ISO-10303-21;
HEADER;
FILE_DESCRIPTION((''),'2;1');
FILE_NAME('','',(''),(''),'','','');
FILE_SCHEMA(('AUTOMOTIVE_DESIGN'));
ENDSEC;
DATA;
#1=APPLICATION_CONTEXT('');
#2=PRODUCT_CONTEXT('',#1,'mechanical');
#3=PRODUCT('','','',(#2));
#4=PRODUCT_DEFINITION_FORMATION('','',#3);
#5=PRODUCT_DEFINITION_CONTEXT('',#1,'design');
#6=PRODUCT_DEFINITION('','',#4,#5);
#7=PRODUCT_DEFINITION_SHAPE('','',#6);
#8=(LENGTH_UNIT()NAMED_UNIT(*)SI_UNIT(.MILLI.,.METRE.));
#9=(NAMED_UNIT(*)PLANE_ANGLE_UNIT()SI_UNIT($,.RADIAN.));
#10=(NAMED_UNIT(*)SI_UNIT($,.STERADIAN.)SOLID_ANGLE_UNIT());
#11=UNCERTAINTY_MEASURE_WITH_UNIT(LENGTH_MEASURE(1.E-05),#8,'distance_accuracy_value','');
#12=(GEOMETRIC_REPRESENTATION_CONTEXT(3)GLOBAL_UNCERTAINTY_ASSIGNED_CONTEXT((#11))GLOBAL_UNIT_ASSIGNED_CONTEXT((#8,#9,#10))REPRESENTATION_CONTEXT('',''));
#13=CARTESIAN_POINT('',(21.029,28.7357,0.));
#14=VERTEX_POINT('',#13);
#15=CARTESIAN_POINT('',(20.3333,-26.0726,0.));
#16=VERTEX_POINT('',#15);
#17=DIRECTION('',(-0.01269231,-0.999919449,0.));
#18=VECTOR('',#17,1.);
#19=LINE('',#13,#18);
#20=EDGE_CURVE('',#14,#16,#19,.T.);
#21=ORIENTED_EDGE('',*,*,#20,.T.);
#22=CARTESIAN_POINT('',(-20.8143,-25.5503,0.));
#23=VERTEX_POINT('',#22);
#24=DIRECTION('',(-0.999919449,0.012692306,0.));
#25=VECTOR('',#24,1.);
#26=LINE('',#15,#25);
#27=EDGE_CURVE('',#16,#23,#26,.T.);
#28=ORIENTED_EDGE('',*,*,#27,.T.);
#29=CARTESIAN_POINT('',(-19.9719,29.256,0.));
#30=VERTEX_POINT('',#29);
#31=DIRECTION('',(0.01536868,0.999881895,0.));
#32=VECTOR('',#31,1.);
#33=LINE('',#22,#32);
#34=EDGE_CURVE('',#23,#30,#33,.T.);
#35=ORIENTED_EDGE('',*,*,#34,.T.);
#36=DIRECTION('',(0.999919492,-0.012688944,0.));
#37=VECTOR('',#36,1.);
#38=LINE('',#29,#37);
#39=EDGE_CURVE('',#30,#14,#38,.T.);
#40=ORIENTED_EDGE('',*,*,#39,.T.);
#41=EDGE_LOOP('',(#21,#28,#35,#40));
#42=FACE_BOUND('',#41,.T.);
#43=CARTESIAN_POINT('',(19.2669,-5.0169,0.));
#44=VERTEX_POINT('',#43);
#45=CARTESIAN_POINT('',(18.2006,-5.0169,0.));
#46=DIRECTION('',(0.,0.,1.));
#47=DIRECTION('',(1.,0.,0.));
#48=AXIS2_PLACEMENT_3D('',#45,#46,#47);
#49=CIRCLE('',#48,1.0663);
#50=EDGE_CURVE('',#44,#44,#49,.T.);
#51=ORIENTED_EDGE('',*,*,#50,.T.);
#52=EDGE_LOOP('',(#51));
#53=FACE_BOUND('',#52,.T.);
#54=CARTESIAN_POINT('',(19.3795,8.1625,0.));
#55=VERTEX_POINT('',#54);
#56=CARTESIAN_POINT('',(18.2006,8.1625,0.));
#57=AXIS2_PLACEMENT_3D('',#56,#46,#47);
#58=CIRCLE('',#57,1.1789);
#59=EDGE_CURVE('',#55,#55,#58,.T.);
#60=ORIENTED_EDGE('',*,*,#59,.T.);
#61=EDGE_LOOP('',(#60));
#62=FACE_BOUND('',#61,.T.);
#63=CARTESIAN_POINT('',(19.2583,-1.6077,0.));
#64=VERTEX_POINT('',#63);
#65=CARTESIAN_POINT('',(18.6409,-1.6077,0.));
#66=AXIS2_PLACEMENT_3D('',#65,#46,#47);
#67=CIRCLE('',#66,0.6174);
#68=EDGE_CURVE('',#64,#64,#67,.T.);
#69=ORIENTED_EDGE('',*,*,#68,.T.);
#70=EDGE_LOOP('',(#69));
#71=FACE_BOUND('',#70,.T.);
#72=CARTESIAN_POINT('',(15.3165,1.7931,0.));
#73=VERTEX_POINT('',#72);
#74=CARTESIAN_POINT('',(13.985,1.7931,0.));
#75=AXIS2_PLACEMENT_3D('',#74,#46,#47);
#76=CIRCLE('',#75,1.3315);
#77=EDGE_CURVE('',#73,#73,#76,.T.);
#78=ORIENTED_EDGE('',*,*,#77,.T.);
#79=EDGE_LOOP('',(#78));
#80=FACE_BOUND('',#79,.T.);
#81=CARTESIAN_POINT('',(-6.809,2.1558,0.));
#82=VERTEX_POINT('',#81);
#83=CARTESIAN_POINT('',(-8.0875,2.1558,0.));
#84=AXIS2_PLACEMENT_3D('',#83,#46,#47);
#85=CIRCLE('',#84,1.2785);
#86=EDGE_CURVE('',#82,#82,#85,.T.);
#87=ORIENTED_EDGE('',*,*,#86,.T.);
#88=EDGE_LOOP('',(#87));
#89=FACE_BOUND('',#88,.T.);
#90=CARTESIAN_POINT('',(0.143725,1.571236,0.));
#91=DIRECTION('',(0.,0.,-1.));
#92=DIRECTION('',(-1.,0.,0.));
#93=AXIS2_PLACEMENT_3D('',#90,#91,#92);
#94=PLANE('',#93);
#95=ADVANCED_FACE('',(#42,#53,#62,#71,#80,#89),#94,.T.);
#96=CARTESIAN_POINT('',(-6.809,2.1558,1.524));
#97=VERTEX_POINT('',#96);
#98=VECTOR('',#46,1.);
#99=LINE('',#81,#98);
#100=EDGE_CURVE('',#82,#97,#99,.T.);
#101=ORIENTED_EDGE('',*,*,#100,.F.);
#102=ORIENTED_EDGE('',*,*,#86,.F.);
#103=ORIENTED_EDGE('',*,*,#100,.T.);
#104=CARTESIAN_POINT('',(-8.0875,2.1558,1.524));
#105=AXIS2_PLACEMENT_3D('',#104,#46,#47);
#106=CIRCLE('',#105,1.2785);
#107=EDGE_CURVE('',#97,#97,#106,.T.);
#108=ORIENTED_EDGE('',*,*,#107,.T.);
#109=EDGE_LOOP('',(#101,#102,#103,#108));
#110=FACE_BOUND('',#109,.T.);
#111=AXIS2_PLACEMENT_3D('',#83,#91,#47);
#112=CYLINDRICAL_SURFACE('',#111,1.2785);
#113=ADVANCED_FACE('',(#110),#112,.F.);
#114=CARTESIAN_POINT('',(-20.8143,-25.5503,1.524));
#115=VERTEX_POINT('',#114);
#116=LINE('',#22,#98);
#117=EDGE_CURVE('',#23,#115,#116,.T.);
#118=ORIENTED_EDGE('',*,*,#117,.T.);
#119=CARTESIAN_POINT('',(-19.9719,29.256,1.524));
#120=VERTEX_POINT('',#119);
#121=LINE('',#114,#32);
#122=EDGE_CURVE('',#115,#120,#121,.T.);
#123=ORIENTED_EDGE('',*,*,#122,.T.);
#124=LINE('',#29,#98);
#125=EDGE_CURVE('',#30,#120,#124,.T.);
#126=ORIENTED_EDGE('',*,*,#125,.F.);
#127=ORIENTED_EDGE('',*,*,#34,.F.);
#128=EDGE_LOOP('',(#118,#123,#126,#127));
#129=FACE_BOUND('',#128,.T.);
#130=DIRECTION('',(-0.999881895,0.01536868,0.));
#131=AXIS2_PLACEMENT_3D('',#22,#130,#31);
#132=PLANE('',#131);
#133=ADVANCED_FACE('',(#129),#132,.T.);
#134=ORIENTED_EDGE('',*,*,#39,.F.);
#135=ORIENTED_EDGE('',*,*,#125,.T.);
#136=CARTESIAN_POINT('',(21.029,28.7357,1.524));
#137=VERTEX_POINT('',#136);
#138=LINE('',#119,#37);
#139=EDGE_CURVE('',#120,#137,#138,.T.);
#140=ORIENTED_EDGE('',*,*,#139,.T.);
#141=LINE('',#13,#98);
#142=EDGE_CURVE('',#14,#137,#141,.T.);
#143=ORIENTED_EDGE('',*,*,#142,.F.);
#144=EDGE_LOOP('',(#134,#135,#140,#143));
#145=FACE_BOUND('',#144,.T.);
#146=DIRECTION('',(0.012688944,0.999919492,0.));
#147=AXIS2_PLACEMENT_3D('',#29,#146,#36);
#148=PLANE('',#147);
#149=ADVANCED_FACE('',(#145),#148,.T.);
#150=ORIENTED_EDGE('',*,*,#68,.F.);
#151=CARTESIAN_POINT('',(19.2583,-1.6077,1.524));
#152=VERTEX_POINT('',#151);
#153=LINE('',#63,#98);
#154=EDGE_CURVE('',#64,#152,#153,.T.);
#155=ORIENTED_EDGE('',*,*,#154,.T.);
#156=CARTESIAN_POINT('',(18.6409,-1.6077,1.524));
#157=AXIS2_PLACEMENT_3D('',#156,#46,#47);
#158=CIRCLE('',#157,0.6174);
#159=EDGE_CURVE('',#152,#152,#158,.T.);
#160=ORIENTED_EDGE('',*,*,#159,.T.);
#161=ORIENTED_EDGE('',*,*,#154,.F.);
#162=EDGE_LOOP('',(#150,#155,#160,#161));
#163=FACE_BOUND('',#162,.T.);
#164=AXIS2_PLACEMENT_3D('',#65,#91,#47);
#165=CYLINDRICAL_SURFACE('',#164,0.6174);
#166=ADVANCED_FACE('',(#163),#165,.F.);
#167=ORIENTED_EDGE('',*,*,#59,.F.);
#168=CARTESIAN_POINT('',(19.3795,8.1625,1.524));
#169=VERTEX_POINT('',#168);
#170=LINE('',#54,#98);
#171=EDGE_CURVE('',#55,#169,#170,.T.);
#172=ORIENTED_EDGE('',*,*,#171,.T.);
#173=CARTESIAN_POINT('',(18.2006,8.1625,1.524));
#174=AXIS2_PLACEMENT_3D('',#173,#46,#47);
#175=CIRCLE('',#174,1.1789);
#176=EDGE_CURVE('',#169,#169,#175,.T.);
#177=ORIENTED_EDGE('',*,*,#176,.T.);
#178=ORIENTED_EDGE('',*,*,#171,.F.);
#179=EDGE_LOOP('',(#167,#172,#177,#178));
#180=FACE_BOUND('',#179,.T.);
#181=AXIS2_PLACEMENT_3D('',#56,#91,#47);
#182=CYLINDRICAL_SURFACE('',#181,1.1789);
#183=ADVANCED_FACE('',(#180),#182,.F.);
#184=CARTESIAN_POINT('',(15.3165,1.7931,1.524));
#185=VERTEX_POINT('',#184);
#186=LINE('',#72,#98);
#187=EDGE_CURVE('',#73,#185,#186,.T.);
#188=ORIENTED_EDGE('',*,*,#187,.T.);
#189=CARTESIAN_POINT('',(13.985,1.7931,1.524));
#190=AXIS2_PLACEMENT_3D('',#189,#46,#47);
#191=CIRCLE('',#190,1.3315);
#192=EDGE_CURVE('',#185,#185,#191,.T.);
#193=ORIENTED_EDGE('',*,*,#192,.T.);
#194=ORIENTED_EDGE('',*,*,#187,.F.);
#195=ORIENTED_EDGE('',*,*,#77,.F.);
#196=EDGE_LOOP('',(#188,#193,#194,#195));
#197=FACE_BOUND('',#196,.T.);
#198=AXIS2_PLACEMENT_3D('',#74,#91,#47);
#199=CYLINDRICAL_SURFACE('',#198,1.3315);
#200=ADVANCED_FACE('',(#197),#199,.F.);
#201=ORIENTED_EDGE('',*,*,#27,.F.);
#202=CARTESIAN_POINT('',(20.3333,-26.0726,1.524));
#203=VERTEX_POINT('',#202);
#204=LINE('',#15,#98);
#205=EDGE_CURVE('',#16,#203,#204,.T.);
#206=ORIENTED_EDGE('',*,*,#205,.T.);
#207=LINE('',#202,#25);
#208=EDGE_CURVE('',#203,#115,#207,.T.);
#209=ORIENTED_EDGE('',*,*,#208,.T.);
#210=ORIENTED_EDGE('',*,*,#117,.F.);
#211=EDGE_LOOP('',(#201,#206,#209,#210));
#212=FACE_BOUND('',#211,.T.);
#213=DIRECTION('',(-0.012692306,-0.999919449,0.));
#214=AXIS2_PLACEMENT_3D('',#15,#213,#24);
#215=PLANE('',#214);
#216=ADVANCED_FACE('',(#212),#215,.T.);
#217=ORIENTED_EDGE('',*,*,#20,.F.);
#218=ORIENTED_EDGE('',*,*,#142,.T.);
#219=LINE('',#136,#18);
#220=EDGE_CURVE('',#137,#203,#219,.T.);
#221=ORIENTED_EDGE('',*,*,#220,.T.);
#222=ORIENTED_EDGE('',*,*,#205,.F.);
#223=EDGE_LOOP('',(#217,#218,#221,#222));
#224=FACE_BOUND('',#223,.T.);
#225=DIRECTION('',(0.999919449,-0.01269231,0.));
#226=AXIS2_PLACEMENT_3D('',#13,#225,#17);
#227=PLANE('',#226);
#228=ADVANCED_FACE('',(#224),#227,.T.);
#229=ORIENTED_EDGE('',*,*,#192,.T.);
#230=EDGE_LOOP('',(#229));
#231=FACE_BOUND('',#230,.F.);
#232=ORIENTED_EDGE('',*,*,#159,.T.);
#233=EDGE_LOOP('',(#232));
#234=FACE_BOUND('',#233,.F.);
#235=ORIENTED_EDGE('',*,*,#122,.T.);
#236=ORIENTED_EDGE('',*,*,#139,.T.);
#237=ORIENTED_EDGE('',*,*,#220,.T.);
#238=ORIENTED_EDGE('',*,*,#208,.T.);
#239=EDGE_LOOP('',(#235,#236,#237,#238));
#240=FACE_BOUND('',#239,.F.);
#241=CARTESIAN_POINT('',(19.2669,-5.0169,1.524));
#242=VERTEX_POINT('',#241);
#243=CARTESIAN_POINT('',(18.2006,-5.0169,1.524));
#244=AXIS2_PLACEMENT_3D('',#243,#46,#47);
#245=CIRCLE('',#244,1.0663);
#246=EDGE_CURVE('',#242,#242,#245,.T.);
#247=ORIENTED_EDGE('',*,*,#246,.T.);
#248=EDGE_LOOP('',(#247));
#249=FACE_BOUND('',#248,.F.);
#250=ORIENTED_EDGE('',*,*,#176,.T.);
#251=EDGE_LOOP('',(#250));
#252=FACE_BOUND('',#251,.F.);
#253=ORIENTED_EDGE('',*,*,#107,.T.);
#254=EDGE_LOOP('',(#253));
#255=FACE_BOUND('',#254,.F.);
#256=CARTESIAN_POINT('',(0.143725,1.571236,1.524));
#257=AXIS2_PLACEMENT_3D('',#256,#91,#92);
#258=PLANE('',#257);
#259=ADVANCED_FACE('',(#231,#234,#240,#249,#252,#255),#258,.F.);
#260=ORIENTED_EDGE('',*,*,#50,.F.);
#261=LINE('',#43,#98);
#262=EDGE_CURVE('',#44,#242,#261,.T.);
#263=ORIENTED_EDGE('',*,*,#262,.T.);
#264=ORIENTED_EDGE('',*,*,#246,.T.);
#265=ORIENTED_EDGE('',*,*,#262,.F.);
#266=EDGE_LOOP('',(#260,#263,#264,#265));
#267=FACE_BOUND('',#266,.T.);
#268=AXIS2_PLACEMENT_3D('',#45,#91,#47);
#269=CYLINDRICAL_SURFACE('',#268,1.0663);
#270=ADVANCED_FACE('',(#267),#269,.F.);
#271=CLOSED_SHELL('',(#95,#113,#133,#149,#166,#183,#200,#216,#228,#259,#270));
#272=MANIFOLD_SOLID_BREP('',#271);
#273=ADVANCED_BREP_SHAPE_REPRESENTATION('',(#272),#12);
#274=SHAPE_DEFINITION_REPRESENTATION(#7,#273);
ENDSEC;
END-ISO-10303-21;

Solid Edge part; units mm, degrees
sketch "Sketch1" plane through (0, 0, 0) normal (0, 0, 1) x (1, 0, 0)
  line L0 (-20.8143, -25.5503) -> (-19.9719, 29.256)
  line L1 (-19.9719, 29.256) -> (21.029, 28.7357)
  line L2 (21.029, 28.7357) -> (20.3333, -26.0726)
  line L3 (20.3333, -26.0726) -> (-20.8143, -25.5503)
  circle A0 centre (-8.0875, 2.1558) radius 1.2785
  circle A1 centre (18.2006, -5.0169) radius 1.0663
  circle A2 centre (18.2006, 8.1625) radius 1.1789
  circle A3 centre (18.6409, -1.6077) radius 0.6174
  circle A4 centre (13.985, 1.7931) radius 1.3315
extrude "ExtrudedProtrusion_1" add sketch "Sketch1" along normal blind 1.524
